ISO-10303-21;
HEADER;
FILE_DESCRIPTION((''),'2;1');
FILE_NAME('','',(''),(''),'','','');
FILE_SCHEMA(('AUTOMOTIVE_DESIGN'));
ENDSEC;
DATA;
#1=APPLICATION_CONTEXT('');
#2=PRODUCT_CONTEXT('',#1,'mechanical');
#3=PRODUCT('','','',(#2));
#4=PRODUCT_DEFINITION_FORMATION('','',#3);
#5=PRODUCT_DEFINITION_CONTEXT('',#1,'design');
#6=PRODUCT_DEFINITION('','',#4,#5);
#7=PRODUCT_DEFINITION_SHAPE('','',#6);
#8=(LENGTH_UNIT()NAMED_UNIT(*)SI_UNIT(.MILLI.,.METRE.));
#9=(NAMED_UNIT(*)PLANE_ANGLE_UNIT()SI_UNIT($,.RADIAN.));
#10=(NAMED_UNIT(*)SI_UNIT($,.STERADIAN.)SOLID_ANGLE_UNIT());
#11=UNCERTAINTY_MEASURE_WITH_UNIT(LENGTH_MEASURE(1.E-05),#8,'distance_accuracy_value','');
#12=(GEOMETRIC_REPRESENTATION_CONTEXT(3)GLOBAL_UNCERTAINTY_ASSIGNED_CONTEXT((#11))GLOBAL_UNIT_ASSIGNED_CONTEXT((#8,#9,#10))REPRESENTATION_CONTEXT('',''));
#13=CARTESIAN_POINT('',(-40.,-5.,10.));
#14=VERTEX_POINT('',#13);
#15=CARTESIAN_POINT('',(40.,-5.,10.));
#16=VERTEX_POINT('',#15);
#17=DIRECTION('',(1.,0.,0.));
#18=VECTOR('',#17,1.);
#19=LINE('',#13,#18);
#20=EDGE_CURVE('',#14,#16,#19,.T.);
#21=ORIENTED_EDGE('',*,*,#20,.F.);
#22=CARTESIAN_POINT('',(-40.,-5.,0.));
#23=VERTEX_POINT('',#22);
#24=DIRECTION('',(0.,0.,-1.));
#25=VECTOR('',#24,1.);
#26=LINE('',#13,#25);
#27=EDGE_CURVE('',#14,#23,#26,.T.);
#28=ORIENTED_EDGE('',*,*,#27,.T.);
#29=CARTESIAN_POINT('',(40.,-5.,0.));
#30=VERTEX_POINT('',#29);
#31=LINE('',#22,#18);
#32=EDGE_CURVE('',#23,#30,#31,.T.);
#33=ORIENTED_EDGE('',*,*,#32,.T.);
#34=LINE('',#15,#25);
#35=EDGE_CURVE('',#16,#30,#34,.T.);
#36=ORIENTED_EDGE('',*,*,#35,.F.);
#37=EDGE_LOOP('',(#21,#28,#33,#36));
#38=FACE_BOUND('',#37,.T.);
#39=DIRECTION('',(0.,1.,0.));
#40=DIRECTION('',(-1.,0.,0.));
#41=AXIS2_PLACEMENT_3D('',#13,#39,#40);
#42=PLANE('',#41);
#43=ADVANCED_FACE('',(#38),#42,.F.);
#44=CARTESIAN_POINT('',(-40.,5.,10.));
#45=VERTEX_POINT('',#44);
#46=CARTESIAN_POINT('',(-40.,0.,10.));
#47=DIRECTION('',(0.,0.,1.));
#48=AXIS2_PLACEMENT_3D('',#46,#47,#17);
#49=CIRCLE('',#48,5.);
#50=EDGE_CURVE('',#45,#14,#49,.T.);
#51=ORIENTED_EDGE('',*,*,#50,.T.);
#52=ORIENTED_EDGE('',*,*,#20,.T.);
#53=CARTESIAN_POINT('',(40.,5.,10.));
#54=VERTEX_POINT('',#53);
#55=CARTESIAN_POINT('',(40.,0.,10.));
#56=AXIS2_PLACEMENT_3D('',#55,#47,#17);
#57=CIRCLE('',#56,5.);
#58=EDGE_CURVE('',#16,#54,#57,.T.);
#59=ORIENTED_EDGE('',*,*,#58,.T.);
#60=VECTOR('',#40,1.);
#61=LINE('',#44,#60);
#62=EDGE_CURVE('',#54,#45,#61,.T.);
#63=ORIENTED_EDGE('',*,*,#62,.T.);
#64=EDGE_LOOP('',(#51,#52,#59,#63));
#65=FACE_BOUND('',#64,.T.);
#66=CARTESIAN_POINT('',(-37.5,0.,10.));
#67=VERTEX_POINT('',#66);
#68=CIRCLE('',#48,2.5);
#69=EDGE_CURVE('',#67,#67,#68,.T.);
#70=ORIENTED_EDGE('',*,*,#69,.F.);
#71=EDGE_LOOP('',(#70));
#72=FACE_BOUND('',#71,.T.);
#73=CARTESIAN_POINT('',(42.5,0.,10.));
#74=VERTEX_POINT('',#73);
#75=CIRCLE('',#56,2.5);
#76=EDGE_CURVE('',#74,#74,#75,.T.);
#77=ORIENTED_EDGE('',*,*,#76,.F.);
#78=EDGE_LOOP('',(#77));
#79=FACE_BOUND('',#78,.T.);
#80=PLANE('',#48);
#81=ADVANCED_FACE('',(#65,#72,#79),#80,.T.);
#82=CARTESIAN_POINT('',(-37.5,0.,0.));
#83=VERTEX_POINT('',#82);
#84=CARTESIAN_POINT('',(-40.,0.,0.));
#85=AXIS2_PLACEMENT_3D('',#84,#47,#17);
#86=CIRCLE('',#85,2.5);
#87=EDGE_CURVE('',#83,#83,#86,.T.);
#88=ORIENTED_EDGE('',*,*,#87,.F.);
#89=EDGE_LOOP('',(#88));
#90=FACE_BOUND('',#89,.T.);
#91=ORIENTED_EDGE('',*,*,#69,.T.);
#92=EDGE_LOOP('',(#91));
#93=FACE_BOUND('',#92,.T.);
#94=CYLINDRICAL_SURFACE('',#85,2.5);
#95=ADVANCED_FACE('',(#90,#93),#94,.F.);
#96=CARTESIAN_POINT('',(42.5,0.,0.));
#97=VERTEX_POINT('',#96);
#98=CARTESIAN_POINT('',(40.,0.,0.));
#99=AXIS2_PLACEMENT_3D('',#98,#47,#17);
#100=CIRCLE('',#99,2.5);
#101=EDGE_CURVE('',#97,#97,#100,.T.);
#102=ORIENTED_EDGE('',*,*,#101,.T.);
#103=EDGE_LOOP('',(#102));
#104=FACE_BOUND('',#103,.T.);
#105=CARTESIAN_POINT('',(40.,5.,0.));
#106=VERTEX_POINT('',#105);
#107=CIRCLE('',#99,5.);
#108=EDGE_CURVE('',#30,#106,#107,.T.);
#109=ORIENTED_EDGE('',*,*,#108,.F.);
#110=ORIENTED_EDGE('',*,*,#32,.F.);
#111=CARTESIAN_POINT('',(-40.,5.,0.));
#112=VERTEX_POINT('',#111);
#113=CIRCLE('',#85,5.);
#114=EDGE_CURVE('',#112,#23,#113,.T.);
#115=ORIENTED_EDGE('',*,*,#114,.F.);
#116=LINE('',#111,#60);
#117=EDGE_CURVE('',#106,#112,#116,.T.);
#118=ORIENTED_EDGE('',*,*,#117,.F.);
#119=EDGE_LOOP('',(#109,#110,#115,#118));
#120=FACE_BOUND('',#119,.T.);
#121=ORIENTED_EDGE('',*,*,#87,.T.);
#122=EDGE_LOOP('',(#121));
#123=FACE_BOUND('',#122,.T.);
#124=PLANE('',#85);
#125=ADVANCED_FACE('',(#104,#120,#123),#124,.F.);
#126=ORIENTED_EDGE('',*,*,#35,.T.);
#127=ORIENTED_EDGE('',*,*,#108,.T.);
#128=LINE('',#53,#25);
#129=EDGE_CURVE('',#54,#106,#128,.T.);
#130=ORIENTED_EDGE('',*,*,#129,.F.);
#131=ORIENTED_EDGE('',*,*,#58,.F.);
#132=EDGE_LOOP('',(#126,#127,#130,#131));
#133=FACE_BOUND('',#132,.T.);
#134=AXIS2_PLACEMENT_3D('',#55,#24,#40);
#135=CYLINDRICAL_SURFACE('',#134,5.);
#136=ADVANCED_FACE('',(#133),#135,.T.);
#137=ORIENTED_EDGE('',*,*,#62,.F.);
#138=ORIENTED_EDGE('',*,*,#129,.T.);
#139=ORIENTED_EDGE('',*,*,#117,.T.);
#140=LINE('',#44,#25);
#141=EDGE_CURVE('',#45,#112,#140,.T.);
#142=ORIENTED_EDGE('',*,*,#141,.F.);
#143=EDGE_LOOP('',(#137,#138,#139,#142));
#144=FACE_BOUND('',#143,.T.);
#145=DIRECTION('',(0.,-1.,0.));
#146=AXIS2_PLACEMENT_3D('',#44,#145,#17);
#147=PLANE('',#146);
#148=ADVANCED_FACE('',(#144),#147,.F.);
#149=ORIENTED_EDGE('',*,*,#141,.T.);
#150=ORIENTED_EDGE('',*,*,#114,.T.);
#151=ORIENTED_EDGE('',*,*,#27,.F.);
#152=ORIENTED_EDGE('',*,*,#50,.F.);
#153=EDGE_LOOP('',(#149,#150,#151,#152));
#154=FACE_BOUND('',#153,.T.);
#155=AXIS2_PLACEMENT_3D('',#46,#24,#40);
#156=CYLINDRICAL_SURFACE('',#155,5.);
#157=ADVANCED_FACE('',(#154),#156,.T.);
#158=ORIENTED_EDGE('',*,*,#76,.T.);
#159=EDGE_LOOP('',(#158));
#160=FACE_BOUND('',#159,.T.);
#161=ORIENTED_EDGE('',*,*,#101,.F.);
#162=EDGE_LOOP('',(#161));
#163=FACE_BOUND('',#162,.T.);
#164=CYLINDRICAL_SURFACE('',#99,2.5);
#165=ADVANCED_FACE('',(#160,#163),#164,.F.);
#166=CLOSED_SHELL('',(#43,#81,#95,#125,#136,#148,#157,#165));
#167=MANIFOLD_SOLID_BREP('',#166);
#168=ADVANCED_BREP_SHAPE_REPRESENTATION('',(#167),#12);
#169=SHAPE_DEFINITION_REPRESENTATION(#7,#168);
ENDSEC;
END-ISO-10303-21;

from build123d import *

# Parameters (mm, degrees)
EXTRUDE_1_DEPTH     = 10
SKETCH_2_R          = 2.5
CUT_EXTRUDE_1_DEPTH = 47.368092477


with BuildPart() as part:
    # 草图1 → 凸台-拉伸1 (new body)
    with BuildSketch(Plane.XY):
        with BuildLine():
            Line((-40, 5), (40, 5))
            ThreePointArc((40, 5), (45, 0), (40, -5))
            Line((40, -5), (-40, -5))
            ThreePointArc((-40, -5), (-45, 0), (-40, 5))
        make_face()
    extrude(amount=EXTRUDE_1_DEPTH)

    # 草图2 → 切除-拉伸1 (cut, through all)
    with BuildSketch(Plane.XY.offset(10)):
        with Locations((-40, 0)):
            Circle(SKETCH_2_R)
        with Locations((40, 0)):
            Circle(SKETCH_2_R)
    extrude(amount=-CUT_EXTRUDE_1_DEPTH, mode=Mode.SUBTRACT)


solid = part.part
